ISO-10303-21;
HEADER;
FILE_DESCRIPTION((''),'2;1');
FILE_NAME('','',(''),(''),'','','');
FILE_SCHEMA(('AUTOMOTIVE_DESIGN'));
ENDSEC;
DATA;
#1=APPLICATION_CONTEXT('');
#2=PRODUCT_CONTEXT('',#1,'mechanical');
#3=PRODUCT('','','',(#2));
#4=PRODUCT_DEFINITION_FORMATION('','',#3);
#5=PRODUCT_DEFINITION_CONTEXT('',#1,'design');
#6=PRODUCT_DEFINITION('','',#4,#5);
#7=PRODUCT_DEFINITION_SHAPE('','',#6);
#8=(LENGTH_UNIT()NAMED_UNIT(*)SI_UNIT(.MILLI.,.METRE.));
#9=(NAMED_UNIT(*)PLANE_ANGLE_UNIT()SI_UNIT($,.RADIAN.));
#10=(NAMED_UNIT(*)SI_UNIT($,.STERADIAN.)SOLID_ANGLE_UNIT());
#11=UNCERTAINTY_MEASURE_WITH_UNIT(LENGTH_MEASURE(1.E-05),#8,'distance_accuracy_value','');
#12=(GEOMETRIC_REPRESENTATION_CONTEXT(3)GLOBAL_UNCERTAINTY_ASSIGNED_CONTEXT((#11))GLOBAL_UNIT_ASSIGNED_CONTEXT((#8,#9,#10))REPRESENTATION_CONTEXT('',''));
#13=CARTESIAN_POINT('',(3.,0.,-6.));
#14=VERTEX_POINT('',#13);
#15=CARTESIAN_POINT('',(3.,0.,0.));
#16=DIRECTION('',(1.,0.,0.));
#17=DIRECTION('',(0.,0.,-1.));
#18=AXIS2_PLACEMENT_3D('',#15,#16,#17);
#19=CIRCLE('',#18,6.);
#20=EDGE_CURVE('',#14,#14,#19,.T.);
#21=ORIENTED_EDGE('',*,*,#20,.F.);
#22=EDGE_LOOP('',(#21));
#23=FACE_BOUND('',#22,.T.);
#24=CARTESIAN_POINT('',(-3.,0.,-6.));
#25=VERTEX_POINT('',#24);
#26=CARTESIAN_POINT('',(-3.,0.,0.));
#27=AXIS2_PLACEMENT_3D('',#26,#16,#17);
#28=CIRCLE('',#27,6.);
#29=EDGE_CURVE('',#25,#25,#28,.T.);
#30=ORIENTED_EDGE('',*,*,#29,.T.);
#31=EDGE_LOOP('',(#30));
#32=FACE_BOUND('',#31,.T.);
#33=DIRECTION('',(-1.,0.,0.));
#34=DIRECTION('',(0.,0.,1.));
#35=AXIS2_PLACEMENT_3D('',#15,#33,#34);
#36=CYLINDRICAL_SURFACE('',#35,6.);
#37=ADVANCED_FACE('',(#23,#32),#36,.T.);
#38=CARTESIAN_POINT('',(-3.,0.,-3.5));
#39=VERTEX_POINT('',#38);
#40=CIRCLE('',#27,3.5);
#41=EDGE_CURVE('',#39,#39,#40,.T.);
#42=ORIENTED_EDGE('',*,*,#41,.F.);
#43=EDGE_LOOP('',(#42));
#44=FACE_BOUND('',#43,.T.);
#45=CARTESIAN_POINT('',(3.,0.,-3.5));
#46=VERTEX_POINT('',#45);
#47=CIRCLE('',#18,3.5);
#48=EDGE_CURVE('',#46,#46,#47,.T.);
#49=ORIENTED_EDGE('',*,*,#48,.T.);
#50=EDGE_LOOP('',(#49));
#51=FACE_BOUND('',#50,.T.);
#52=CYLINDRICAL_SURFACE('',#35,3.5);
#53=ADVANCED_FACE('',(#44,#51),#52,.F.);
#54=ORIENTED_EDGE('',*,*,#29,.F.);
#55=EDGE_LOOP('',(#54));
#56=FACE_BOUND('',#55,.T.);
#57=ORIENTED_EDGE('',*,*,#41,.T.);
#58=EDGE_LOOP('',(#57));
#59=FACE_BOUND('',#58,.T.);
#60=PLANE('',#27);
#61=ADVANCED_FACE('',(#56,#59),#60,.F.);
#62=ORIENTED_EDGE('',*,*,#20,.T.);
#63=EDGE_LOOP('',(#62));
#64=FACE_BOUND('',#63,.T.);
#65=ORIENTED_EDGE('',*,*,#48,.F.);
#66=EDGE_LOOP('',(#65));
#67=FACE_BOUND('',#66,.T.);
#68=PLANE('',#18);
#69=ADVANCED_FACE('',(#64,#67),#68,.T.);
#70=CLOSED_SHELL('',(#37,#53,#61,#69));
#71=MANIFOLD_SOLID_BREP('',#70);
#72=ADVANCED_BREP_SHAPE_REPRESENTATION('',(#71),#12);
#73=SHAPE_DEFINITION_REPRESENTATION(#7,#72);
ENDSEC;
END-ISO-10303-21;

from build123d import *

# Parameters (mm, degrees)
SKETCH1_R           = 6
SKETCH1_R_2         = 3.5
BOSS_EXTRUDE1_DEPTH = 3


with BuildPart() as part:
    # Sketch1 → Boss-Extrude1 (new, symmetric)
    with BuildSketch(Plane(origin=(0, 0, 0), x_dir=(0, 0, -1), z_dir=(1, 0, 0))):
        Circle(SKETCH1_R)
        Circle(SKETCH1_R_2, mode=Mode.SUBTRACT)
    extrude(amount=BOSS_EXTRUDE1_DEPTH, both=True)


solid = part.part
